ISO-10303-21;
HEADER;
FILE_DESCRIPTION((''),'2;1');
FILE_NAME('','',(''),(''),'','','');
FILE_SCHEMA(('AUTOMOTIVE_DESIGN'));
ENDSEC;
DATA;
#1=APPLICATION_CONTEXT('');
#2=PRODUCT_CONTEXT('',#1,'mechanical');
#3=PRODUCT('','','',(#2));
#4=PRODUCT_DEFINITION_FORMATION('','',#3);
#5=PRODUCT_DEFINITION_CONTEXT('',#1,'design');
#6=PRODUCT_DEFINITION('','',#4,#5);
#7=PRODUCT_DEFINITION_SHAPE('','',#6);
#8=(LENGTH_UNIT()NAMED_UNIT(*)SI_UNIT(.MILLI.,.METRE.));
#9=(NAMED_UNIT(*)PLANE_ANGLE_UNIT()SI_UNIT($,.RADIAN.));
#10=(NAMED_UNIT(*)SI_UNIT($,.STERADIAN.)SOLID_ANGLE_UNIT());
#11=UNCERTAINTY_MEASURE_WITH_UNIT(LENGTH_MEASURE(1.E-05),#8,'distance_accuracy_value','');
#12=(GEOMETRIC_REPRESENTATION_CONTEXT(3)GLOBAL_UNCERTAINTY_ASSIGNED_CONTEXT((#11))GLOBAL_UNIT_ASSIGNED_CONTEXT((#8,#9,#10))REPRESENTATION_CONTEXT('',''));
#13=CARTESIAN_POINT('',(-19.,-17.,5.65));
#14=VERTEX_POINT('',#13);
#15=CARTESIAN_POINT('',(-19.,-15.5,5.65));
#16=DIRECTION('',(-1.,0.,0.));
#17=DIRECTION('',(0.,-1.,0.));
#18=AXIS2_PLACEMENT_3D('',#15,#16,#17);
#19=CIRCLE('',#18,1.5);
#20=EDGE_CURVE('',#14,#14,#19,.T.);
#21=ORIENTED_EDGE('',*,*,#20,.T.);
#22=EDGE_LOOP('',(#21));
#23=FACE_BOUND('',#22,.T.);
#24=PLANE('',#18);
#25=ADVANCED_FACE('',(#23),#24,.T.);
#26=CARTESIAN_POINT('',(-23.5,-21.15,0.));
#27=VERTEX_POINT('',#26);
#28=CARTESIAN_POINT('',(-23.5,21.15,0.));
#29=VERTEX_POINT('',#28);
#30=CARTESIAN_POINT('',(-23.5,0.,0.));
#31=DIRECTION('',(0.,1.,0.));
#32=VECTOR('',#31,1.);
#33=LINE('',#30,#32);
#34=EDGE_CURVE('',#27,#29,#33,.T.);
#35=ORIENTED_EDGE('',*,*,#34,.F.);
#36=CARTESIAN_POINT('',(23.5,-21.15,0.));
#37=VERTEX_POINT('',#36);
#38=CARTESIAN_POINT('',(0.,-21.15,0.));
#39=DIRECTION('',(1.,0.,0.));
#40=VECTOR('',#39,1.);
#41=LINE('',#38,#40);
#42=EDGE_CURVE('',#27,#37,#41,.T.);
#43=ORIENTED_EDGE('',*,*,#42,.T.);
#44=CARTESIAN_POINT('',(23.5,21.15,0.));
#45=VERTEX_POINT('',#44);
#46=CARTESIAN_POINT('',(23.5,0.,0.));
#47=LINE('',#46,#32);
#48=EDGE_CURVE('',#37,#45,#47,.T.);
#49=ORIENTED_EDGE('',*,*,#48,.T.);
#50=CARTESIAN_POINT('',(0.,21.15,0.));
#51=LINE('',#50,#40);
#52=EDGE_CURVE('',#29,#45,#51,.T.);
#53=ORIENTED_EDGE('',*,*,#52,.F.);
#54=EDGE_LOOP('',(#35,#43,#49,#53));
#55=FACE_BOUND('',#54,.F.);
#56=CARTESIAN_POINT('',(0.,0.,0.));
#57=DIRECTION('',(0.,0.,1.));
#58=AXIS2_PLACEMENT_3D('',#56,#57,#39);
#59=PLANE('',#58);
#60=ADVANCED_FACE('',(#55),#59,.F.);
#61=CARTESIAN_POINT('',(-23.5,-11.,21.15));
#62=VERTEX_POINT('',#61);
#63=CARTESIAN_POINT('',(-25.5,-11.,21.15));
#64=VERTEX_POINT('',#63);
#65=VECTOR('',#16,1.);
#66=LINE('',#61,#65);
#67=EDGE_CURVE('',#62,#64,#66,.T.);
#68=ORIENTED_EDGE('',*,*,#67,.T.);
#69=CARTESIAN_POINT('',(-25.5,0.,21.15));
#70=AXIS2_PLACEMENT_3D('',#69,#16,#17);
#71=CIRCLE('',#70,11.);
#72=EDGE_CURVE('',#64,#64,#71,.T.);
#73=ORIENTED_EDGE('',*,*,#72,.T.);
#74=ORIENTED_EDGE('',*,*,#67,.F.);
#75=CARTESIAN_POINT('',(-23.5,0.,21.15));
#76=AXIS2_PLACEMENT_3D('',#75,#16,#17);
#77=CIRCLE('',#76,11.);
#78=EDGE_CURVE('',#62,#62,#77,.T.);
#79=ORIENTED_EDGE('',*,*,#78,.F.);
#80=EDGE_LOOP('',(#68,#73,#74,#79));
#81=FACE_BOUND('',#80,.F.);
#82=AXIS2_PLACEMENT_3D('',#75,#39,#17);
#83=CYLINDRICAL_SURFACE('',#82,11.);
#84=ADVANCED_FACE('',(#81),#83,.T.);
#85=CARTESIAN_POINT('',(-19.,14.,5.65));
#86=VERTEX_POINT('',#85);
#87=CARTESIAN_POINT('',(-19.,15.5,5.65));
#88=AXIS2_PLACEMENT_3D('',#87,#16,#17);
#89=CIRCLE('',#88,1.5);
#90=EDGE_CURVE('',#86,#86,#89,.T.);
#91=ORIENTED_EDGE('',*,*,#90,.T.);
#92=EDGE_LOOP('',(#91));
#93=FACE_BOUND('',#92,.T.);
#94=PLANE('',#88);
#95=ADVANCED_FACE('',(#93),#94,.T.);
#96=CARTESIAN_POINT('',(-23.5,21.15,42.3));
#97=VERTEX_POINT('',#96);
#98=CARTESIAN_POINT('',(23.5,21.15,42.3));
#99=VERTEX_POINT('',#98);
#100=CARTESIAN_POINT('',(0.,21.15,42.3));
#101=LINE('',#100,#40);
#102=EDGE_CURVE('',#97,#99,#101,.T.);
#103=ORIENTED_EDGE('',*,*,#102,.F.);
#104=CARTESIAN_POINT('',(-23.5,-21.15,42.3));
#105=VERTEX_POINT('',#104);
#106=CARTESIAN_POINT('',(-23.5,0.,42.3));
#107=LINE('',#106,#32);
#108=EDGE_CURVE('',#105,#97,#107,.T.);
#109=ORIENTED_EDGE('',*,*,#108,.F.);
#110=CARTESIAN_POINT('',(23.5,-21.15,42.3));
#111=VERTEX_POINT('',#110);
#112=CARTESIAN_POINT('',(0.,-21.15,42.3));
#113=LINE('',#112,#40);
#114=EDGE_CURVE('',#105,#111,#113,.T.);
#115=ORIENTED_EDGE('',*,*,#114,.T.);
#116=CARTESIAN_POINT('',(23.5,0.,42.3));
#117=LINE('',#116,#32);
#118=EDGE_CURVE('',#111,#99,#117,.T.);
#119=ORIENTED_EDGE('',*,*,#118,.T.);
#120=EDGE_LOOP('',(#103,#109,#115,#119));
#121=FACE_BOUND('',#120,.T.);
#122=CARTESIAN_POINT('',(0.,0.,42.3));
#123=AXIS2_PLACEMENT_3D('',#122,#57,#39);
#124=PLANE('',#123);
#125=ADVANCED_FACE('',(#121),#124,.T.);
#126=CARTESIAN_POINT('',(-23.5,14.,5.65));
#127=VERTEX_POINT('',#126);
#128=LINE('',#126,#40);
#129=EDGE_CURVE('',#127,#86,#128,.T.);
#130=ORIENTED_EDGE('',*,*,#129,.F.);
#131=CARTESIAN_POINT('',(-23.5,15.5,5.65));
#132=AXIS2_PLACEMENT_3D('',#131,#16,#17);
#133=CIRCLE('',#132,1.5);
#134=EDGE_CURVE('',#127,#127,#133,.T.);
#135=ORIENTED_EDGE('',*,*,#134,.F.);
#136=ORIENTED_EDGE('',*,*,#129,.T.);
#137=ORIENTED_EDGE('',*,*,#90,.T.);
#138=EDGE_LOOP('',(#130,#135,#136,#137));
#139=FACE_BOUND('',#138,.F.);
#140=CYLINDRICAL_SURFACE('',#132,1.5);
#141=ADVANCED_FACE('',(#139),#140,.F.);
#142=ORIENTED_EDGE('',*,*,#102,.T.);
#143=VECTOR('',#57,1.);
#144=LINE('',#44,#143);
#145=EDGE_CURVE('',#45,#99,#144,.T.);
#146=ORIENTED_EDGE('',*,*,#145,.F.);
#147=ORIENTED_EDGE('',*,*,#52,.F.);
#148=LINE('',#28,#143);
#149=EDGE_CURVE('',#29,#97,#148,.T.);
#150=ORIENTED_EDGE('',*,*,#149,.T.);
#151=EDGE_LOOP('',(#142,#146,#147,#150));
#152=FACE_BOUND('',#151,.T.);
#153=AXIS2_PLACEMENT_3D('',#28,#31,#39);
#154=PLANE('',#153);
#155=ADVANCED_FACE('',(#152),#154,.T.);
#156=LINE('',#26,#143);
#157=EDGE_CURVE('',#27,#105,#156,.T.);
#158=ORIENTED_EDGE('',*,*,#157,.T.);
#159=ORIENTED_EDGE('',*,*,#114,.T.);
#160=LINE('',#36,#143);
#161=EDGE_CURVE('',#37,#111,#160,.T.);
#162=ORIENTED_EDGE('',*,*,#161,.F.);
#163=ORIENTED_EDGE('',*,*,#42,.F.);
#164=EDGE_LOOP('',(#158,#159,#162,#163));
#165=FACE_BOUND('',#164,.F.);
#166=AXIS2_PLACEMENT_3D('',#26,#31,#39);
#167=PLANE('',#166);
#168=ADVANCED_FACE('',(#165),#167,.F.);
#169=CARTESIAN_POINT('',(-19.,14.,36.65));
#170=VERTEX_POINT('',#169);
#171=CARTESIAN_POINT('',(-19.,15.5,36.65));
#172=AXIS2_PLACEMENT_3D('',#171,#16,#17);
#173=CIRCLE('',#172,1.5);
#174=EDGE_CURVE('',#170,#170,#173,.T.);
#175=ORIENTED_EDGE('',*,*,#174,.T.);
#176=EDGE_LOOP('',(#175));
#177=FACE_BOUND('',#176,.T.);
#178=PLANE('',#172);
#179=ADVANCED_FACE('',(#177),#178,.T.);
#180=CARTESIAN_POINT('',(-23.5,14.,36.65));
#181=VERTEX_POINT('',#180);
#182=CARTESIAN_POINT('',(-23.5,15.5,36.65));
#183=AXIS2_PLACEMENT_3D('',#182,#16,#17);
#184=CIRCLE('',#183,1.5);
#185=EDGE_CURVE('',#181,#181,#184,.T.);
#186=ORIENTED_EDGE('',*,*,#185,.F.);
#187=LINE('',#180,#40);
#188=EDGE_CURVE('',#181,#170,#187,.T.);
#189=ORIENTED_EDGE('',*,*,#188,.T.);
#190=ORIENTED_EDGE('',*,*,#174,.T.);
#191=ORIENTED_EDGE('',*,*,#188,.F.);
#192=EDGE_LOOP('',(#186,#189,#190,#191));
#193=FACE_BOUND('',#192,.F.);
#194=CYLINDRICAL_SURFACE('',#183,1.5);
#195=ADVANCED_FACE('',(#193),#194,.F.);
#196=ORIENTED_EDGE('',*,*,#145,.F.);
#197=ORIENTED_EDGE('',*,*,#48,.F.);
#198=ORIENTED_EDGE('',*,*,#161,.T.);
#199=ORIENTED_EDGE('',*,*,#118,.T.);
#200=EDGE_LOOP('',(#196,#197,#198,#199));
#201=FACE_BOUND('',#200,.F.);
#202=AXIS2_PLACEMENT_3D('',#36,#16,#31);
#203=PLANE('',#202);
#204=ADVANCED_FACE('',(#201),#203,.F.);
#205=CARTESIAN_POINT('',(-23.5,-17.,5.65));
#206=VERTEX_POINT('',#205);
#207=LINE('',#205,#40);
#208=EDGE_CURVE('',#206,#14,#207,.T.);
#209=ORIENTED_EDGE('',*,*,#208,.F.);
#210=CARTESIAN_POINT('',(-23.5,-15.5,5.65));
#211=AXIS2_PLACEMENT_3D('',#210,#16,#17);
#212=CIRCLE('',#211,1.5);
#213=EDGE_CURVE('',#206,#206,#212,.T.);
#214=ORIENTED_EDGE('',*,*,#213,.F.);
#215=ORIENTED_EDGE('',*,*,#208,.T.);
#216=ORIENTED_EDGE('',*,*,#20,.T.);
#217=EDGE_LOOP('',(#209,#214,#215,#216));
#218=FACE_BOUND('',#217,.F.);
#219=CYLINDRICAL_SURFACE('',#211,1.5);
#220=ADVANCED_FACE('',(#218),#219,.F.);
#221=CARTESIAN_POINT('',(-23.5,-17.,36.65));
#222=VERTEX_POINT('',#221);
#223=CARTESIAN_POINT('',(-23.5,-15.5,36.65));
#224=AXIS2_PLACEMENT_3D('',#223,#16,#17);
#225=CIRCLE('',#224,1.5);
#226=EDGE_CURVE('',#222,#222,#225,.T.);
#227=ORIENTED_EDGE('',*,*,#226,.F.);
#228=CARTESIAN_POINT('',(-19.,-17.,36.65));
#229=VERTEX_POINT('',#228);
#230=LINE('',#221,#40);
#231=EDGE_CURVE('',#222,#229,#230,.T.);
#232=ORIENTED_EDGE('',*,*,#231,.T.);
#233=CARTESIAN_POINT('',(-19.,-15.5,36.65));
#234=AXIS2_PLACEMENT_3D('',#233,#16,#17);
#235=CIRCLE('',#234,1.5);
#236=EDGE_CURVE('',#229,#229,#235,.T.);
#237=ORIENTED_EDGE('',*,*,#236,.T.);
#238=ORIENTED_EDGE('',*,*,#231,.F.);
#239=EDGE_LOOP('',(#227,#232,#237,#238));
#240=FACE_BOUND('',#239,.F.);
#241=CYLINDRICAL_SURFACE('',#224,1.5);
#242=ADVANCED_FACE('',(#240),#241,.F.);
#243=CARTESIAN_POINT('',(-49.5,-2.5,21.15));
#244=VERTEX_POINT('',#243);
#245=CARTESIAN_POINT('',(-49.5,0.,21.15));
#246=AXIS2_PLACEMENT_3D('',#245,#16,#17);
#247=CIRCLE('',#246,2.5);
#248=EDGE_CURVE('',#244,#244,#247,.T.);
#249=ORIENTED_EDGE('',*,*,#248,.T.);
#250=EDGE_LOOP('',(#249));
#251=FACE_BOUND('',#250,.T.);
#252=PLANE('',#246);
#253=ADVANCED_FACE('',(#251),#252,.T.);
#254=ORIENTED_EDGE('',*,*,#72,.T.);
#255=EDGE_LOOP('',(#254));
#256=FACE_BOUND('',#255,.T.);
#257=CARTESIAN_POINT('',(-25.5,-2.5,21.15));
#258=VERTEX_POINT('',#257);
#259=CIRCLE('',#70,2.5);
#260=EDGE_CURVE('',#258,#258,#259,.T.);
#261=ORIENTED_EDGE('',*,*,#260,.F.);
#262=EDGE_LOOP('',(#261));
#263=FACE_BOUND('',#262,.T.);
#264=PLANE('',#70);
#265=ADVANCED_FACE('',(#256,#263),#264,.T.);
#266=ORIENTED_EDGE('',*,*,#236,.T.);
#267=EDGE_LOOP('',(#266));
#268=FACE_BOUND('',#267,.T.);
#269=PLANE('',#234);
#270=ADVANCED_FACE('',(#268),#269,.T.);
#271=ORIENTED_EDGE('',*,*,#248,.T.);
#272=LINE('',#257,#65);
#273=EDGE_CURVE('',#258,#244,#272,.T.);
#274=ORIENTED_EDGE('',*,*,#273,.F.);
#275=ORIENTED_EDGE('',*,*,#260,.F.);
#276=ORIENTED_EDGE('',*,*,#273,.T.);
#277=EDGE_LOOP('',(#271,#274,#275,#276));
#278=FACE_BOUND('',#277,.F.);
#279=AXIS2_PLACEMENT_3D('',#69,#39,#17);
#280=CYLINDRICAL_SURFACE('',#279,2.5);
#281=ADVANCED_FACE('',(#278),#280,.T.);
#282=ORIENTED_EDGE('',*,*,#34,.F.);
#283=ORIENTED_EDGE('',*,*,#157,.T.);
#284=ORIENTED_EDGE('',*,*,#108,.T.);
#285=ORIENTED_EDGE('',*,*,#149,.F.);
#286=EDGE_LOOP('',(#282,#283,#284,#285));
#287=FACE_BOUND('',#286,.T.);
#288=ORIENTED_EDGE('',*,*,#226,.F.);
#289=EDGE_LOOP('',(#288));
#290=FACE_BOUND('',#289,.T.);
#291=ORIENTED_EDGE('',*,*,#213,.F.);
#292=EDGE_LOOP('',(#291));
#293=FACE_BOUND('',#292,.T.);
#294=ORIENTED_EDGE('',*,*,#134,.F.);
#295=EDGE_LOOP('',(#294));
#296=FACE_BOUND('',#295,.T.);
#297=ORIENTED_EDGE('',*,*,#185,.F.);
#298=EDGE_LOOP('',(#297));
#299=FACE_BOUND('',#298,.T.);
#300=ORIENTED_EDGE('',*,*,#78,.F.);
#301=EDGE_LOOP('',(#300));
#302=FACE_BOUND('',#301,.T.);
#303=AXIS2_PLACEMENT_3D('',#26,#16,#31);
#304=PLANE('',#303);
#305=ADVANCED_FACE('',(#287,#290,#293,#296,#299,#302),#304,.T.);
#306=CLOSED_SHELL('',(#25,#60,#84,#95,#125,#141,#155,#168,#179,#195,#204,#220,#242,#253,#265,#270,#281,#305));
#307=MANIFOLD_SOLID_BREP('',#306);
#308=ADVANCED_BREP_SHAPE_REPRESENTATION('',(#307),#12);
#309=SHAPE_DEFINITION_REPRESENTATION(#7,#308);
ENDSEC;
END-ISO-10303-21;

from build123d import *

# Parameters (mm, degrees)
SKETCH037_W     = 47
SKETCH037_H     = 42.3
PAD022_DEPTH    = 42.3
SKETCH038_R     = 1.5
POCKET020_DEPTH = 4.5
SKETCH039_R     = 11
PAD023_DEPTH    = 2
SKETCH040_R     = 2.5
PAD024_DEPTH    = 24


with BuildPart() as part:
    # Sketch037 → Pad022 (new body)
    with BuildSketch(Plane.XY):
        Rectangle(SKETCH037_W, SKETCH037_H)
    extrude(amount=PAD022_DEPTH)

    # Sketch038 (on Face4 of Pad022) → Pocket020 (cut)
    with BuildSketch(Plane(origin=(-23.5, 0, 0), x_dir=(0, -1, 0), z_dir=(-1, 0, 0))):
        with Locations((-15.5, 36.65)):
            Circle(SKETCH038_R)
        with Locations((15.5, 36.65)):
            Circle(SKETCH038_R)
        with Locations((-15.5, 5.65)):
            Circle(SKETCH038_R)
        with Locations((15.5, 5.65)):
            Circle(SKETCH038_R)
    extrude(amount=-POCKET020_DEPTH, mode=Mode.SUBTRACT)

    # Sketch039 (on Face2 of Pocket020) → Pad023 (join)
    with BuildSketch(Plane(origin=(-23.5, 0, 0), x_dir=(0, -1, 0), z_dir=(-1, 0, 0))):
        with Locations((0, 21.15)):
            Circle(SKETCH039_R)
    extrude(amount=PAD023_DEPTH)

    # Sketch040 (on Face13 of Pad023) → Pad024 (join)
    with BuildSketch(Plane(origin=(-25.5, 0, 0), x_dir=(0, -1, 0), z_dir=(-1, 0, 0))):
        with Locations((0, 21.15)):
            Circle(SKETCH040_R)
    extrude(amount=PAD024_DEPTH)


solid = part.part
